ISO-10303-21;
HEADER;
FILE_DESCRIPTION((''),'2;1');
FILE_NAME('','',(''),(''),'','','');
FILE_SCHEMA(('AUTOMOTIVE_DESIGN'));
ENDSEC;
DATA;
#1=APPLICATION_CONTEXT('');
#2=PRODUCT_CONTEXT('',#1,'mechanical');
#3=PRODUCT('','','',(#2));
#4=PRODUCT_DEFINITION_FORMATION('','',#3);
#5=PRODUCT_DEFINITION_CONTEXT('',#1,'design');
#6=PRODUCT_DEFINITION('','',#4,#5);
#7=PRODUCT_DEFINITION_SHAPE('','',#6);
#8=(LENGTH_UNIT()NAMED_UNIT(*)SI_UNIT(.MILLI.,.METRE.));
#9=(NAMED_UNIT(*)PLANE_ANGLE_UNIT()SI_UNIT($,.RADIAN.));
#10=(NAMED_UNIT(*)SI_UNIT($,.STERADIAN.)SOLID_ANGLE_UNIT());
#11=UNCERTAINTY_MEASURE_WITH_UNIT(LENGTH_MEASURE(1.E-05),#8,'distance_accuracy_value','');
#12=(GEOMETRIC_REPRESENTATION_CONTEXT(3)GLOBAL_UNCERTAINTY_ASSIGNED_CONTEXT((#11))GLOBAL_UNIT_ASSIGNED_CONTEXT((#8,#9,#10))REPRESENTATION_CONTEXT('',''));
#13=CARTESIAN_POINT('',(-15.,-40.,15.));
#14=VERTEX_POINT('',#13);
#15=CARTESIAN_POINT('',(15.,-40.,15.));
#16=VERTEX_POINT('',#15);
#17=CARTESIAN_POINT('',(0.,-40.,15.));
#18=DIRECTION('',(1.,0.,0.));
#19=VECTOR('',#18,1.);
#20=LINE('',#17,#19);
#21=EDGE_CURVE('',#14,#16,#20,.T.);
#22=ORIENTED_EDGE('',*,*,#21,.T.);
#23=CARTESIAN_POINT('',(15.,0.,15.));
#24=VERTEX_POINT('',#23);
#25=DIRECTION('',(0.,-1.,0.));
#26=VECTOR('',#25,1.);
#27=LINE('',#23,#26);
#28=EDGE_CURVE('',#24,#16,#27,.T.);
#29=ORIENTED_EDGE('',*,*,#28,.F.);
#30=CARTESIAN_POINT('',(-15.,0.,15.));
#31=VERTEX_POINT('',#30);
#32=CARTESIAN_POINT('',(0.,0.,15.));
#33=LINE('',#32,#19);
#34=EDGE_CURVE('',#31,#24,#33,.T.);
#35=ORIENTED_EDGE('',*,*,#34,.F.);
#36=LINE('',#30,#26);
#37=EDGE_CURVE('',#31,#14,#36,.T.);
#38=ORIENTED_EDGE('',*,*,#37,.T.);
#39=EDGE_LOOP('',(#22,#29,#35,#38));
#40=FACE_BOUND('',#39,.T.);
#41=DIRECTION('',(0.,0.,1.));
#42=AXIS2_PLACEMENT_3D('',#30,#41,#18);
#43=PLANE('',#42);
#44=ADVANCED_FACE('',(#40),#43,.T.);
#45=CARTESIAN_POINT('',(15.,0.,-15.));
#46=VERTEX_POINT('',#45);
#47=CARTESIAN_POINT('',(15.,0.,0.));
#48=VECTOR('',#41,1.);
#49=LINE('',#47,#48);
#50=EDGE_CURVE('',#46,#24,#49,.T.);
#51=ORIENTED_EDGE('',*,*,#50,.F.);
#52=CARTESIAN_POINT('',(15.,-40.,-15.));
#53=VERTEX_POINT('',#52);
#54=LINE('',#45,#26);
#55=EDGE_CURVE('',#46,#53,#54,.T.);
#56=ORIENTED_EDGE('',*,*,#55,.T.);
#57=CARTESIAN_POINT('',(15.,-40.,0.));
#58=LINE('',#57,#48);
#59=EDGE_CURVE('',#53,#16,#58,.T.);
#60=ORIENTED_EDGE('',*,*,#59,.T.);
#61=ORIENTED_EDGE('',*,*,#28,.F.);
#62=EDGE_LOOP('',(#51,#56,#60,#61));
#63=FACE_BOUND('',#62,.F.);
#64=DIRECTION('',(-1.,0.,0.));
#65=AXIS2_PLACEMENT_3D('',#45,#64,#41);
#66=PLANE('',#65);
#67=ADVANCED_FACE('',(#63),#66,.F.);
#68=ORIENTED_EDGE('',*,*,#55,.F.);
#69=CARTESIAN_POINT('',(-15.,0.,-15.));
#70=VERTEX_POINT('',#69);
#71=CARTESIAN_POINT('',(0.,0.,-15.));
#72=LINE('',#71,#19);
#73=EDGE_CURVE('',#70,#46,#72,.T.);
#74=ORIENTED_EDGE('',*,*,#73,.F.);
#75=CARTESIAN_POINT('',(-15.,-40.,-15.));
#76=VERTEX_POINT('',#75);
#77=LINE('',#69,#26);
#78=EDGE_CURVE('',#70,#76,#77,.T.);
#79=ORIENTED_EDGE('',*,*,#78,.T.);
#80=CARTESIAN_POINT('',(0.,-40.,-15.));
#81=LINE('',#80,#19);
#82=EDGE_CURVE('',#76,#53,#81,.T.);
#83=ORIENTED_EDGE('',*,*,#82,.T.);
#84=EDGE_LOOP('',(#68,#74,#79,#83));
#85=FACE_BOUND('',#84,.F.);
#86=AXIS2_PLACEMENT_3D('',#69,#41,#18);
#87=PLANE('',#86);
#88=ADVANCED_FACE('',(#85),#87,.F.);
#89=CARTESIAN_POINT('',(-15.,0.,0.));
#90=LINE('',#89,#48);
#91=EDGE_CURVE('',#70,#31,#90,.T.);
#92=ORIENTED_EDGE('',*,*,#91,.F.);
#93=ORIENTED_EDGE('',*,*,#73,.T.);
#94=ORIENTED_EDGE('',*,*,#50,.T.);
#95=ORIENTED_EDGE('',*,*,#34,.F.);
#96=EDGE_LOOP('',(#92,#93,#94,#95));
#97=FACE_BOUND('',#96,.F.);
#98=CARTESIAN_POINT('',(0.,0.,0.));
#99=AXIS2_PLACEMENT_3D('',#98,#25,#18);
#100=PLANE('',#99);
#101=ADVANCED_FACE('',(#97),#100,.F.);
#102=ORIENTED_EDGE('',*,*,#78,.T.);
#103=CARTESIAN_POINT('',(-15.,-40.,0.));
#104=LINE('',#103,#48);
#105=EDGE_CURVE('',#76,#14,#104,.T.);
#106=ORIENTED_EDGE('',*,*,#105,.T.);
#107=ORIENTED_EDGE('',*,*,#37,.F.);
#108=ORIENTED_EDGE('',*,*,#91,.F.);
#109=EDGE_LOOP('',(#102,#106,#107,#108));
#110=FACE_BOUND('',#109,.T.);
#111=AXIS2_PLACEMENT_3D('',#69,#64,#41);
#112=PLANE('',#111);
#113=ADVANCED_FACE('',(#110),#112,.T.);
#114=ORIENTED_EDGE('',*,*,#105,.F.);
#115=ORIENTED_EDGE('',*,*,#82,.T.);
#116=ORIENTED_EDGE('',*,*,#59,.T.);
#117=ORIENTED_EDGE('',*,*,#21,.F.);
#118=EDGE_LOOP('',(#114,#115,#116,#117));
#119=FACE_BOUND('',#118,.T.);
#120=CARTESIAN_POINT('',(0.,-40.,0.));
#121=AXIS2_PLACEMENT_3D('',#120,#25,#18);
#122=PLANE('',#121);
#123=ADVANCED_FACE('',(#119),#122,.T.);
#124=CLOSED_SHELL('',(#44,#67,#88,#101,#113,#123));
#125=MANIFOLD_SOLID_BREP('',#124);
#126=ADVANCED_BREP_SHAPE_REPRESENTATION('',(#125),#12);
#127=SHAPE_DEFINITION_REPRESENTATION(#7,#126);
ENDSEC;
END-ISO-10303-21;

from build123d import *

# Parameters (mm, degrees)
F0_W     = 30
F0_H     = 30
F0_W_2   = 12
F0_H_2   = 6
F1_DEPTH = 40


with BuildPart() as f1:
    # F0 (on Front) → F1 (new body)
    with BuildSketch(Plane.XZ):
        Rectangle(F0_W, F0_H)
        with Locations((0, -7.5)):
            Rectangle(F0_W_2, F0_H_2, mode=Mode.SUBTRACT)
        with Locations((0, 7.5)):
            Rectangle(F0_W_2, F0_H_2, mode=Mode.SUBTRACT)
        with Locations((0, 7.5)):
            Rectangle(F0_W_2, F0_H_2)
        with Locations((0, -7.5)):
            Rectangle(F0_W_2, F0_H_2)
    extrude(amount=F1_DEPTH)


solid = f1.part
